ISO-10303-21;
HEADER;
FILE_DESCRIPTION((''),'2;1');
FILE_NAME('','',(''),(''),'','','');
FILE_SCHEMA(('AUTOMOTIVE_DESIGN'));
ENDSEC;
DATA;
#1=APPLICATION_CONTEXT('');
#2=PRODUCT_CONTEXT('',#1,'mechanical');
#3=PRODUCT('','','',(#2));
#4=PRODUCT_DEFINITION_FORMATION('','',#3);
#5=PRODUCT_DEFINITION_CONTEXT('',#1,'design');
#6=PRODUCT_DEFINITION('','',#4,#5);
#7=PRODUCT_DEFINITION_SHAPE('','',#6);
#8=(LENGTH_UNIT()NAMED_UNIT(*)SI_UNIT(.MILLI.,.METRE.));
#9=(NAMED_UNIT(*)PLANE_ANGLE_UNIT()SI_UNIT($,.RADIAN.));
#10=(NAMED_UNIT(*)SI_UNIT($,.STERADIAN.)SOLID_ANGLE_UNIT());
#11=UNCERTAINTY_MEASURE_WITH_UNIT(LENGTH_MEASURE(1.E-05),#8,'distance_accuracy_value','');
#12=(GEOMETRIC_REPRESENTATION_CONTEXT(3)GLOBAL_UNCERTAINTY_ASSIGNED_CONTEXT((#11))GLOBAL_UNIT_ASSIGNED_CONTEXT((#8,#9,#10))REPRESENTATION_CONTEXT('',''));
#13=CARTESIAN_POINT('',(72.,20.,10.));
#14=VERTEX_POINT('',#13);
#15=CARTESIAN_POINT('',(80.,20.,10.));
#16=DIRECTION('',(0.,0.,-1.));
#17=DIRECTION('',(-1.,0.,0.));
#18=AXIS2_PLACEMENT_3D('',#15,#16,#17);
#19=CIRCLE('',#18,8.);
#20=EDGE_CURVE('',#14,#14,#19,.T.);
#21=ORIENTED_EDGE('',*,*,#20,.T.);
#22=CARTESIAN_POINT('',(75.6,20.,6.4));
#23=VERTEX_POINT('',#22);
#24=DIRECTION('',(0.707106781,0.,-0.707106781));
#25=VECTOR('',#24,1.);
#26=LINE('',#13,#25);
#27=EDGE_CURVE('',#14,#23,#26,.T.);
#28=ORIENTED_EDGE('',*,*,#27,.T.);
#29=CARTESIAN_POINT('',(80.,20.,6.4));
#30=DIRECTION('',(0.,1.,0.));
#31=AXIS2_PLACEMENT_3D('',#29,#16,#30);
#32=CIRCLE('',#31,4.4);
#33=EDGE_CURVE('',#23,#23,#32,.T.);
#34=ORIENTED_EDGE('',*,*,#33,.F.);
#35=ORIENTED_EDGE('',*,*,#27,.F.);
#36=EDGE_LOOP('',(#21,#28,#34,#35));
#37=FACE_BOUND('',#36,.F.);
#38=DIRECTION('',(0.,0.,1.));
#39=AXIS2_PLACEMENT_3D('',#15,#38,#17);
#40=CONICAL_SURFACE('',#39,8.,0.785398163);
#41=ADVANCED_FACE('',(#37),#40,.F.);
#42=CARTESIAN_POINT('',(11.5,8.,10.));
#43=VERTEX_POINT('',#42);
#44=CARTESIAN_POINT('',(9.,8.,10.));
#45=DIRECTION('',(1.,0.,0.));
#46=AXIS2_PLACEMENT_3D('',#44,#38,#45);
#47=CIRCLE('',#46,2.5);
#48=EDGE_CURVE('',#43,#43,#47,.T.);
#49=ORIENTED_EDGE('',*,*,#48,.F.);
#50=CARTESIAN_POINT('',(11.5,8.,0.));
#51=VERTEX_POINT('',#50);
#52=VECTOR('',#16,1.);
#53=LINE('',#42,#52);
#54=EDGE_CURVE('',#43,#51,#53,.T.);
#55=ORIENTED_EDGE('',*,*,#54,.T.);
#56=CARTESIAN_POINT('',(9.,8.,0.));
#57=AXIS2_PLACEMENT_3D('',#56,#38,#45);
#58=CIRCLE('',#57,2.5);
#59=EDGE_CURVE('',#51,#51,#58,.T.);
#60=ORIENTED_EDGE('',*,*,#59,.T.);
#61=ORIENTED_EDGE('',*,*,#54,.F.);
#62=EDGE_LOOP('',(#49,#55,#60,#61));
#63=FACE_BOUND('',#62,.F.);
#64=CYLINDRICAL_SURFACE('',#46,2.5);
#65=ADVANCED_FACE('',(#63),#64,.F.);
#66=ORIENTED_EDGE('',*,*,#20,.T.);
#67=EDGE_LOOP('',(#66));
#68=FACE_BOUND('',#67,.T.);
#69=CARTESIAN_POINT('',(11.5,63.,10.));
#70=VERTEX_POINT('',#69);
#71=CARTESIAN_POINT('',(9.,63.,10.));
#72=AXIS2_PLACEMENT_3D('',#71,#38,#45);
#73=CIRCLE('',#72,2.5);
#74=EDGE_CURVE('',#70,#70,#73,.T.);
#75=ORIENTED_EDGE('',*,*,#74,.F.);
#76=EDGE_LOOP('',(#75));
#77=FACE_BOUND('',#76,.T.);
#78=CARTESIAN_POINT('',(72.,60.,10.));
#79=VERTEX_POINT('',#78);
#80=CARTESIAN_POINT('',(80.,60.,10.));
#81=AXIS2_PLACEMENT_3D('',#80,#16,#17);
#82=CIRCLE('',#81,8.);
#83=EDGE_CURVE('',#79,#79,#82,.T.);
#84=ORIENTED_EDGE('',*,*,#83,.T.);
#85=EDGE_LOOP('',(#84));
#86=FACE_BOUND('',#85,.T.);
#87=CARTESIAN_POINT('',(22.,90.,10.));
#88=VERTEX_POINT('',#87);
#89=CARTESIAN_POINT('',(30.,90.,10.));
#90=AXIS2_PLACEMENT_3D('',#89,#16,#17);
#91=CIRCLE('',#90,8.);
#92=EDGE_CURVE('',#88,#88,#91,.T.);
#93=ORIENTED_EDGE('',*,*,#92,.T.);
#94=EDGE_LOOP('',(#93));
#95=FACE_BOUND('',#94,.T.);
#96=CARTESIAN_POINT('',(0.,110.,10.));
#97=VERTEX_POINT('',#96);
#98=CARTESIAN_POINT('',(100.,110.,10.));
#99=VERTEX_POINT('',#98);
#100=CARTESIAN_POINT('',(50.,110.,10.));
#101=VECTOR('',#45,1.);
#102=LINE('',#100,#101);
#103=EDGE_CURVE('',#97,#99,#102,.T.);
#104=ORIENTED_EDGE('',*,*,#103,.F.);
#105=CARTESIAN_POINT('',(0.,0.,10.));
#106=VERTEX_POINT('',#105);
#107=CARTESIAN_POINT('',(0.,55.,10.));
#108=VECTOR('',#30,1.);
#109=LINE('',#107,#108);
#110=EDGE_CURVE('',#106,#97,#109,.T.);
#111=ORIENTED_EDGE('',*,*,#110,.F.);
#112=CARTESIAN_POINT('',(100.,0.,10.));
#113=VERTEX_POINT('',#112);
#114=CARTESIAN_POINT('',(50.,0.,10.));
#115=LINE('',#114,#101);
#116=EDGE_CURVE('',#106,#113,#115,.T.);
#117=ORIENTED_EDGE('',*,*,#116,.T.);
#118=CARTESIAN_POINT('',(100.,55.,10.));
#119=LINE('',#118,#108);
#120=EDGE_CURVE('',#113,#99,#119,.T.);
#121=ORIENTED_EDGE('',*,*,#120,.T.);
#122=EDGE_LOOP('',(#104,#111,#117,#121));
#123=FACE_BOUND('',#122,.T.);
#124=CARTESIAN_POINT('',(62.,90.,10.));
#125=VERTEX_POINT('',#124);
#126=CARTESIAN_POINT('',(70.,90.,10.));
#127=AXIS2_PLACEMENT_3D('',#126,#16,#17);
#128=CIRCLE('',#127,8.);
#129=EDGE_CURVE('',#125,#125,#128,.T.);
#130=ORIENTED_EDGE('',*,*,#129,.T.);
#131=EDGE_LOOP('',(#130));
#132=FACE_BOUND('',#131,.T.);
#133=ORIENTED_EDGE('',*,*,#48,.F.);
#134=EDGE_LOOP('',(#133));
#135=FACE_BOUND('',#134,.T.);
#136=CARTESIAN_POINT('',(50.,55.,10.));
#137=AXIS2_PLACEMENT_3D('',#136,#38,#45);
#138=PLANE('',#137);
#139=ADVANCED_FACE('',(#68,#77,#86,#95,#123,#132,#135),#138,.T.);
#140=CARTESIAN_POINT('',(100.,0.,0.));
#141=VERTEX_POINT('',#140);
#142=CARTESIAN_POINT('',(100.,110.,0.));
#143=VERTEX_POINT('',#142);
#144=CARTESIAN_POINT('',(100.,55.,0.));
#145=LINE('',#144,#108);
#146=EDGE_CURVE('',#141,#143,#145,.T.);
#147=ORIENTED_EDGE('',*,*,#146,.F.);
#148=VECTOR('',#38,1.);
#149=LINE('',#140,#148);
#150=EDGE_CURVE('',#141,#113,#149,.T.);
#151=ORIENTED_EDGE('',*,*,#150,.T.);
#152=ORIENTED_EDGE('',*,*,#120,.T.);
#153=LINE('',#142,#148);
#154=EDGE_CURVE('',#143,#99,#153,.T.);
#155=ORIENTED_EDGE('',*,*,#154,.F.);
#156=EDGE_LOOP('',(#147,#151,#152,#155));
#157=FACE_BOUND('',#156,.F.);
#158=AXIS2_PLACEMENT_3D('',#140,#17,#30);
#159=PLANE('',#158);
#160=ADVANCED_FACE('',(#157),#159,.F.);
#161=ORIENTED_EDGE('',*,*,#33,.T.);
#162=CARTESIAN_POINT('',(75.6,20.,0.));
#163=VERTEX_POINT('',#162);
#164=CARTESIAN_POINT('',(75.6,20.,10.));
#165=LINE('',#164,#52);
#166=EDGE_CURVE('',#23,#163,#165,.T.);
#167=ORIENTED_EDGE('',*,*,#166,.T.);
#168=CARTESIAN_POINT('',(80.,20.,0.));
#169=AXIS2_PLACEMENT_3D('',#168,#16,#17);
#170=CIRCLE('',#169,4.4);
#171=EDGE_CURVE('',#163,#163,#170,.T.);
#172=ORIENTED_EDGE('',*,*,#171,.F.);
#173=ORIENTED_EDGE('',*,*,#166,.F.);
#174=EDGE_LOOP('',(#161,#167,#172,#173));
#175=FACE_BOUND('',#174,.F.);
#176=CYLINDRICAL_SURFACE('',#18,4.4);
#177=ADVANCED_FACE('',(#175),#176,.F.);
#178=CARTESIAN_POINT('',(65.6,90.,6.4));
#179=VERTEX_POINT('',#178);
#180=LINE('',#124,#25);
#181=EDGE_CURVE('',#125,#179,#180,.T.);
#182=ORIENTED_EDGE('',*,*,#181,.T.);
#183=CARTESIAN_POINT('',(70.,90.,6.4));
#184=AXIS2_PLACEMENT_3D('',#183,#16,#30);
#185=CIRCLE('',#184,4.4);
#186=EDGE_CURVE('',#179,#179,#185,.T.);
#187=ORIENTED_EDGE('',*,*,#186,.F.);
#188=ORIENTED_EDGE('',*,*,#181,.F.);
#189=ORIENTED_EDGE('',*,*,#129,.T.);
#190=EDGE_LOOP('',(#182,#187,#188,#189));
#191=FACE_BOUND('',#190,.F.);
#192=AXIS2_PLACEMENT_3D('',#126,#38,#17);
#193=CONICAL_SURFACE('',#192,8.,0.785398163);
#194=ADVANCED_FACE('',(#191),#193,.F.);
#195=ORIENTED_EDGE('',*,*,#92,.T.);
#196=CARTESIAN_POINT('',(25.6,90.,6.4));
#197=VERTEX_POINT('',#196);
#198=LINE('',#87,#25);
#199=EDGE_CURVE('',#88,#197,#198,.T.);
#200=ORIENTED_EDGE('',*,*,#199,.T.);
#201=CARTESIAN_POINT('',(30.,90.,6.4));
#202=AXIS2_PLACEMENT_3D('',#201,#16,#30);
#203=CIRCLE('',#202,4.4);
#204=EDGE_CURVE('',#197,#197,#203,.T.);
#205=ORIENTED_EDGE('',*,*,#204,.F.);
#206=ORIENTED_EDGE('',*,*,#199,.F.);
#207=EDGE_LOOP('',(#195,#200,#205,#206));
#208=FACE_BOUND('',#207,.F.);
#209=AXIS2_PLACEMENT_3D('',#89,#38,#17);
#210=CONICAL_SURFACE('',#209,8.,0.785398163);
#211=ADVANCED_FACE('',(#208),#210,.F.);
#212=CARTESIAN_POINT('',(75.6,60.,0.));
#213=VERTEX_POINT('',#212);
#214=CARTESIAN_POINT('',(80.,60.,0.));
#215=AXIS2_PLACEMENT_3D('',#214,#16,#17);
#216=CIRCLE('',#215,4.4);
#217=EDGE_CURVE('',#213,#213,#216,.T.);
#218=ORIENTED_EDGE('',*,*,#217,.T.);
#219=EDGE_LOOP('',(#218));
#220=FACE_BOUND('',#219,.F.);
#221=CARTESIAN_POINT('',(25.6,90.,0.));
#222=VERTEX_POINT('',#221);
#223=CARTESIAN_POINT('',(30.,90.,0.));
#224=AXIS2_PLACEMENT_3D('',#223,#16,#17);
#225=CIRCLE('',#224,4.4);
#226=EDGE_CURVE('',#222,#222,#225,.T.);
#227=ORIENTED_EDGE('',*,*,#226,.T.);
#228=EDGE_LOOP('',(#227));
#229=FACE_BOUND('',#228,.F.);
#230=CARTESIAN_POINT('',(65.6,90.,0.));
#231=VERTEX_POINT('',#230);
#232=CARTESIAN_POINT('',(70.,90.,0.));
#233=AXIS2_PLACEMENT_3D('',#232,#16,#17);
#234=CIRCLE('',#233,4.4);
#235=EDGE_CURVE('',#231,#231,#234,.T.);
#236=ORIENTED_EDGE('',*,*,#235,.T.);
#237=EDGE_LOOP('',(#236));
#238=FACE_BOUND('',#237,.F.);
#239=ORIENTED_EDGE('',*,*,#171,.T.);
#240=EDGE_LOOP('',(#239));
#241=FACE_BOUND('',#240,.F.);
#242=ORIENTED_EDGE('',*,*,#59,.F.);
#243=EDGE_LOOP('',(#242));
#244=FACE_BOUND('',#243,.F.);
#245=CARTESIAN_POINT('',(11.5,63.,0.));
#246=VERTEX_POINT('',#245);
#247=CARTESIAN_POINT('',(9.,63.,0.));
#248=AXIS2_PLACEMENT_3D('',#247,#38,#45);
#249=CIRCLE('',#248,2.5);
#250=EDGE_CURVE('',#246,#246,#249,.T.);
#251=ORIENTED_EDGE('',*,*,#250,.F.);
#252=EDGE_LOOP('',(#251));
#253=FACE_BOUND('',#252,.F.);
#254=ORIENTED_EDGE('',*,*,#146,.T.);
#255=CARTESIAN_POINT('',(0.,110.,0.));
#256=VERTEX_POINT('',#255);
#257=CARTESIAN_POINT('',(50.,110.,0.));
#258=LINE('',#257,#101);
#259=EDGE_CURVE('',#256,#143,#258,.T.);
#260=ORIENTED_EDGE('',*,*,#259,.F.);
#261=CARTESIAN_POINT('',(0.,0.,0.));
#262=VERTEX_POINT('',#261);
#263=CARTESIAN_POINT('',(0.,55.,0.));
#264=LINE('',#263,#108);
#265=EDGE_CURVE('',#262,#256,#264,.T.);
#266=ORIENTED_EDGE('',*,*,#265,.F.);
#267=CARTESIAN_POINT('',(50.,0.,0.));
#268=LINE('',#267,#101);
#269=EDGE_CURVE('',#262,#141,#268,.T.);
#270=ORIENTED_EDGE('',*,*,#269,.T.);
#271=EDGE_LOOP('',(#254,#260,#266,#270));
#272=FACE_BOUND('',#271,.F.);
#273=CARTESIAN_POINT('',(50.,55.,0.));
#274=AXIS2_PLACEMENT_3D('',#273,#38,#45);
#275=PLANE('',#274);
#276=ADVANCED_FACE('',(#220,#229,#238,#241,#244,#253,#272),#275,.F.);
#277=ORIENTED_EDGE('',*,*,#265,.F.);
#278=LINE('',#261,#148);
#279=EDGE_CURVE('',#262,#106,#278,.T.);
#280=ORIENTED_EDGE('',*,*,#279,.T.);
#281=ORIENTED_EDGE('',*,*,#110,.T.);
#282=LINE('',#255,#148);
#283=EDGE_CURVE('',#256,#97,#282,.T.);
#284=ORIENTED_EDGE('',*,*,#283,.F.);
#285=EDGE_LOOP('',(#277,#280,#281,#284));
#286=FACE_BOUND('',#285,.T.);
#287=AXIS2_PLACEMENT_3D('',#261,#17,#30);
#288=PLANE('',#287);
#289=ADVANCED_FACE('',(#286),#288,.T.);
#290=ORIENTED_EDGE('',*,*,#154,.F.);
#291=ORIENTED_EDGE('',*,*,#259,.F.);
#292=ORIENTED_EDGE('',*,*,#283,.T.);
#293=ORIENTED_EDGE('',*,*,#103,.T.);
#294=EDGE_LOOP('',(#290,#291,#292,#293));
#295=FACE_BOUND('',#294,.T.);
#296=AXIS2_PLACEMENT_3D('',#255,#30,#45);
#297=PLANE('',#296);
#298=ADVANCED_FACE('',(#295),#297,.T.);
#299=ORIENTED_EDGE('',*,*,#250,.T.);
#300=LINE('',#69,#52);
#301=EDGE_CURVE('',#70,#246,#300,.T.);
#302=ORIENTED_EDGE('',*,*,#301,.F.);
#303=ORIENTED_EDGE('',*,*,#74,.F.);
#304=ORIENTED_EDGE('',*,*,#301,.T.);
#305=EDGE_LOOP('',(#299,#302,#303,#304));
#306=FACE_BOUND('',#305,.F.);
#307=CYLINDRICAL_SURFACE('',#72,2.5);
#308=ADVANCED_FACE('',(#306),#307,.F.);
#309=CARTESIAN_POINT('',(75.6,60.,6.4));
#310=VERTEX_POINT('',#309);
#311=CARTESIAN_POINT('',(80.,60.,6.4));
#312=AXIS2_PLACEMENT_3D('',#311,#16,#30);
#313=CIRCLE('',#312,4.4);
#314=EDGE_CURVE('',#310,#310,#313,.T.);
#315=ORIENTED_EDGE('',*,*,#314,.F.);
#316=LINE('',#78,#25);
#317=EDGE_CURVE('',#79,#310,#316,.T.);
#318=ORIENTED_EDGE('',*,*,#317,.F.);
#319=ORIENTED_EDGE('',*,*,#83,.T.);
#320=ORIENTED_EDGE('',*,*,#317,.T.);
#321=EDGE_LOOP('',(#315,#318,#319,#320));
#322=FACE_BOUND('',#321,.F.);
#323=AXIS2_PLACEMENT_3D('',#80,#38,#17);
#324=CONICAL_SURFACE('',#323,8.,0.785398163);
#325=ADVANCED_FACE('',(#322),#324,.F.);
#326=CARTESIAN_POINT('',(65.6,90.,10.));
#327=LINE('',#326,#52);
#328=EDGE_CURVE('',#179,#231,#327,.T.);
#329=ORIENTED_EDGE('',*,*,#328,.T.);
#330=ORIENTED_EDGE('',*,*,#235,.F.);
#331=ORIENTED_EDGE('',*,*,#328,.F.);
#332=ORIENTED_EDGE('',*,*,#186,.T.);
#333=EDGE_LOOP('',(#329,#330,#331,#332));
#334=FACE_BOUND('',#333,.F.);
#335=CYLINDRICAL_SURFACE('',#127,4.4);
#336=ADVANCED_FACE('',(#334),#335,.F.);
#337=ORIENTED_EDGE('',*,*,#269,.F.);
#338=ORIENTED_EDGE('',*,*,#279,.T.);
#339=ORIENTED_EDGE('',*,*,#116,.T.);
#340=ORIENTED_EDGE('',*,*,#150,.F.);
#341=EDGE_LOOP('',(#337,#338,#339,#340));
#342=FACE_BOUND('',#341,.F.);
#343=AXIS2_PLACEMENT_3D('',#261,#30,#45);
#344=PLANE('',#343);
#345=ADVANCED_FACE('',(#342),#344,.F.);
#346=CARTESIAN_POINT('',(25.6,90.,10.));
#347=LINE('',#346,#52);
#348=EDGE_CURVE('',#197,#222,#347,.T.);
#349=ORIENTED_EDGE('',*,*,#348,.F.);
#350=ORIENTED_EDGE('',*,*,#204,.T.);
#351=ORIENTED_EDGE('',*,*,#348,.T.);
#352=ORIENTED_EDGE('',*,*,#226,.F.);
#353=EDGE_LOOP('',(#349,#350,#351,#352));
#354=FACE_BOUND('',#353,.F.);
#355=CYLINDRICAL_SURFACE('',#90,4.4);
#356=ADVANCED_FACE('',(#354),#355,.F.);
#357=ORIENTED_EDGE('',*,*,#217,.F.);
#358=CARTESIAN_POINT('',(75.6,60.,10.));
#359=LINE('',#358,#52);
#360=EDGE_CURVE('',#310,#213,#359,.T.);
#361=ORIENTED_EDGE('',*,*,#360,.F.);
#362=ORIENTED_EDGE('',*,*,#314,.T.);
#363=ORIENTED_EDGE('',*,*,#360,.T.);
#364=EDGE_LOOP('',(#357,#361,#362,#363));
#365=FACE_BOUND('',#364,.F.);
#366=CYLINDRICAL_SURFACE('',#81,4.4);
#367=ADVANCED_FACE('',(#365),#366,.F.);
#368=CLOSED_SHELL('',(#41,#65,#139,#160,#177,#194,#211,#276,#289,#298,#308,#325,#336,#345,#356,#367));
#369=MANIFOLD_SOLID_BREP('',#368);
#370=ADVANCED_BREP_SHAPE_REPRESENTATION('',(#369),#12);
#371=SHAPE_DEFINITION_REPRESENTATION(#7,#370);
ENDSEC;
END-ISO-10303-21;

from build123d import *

# Parameters (mm, degrees)
SKETCH_W               = 100
SKETCH_H               = 110
PAD_DEPTH              = 10
SKETCH001_R            = 2.5
HOLE_DEPTH             = 10.001
LINEARPATTERN_COUNT    = 2
LINEARPATTERN_PITCH    = 55
HOLE001_D              = 8.8
HOLE001_CSINK_D        = 16
HOLE001_CSINK_ANGLE    = 90
LINEARPATTERN001_COUNT = 2
LINEARPATTERN001_PITCH = 40
HOLE002_D              = 8.8
HOLE002_CSINK_D        = 16
HOLE002_CSINK_ANGLE    = 90
LINEARPATTERN002_COUNT = 2
LINEARPATTERN002_PITCH = 40


with BuildPart() as part:
    # Sketch → Pad (new body)
    with BuildSketch(Plane.XY):
        with Locations((50, 55)):
            Rectangle(SKETCH_W, SKETCH_H)
    extrude(amount=PAD_DEPTH)

    # Sketch001 (on Face6 of Pad) → Hole (cut, through all)
    with BuildSketch(Plane.XY.offset(10)):
        with Locations((9, 8)):
            Circle(SKETCH001_R)
    hole = extrude(amount=-HOLE_DEPTH, mode=Mode.SUBTRACT)

    # LinearPattern: Hole ×2
    with Locations(*[(0, i * LINEARPATTERN_PITCH, 0) for i in range(1, LINEARPATTERN_COUNT)]):
        add(hole, mode=Mode.SUBTRACT)

    # Hole001 (through all)
    with Locations(Plane.XY.offset(10)):
        with Locations((80, 20)):
            hole001 = CounterSinkHole(HOLE001_D / 2, HOLE001_CSINK_D / 2, counter_sink_angle=HOLE001_CSINK_ANGLE)

    # LinearPattern001: Hole001 ×2
    with Locations(*[(0, i * LINEARPATTERN001_PITCH, 0) for i in range(1, LINEARPATTERN001_COUNT)]):
        add(hole001, mode=Mode.SUBTRACT)

    # Hole002 (through all)
    with Locations(Plane.XY.offset(10)):
        with Locations((30, 90)):
            hole002 = CounterSinkHole(HOLE002_D / 2, HOLE002_CSINK_D / 2, counter_sink_angle=HOLE002_CSINK_ANGLE)

    # LinearPattern002: Hole002 ×2
    with Locations(*[(i * LINEARPATTERN002_PITCH, 0, 0) for i in range(1, LINEARPATTERN002_COUNT)]):
        add(hole002, mode=Mode.SUBTRACT)


solid = part.part
